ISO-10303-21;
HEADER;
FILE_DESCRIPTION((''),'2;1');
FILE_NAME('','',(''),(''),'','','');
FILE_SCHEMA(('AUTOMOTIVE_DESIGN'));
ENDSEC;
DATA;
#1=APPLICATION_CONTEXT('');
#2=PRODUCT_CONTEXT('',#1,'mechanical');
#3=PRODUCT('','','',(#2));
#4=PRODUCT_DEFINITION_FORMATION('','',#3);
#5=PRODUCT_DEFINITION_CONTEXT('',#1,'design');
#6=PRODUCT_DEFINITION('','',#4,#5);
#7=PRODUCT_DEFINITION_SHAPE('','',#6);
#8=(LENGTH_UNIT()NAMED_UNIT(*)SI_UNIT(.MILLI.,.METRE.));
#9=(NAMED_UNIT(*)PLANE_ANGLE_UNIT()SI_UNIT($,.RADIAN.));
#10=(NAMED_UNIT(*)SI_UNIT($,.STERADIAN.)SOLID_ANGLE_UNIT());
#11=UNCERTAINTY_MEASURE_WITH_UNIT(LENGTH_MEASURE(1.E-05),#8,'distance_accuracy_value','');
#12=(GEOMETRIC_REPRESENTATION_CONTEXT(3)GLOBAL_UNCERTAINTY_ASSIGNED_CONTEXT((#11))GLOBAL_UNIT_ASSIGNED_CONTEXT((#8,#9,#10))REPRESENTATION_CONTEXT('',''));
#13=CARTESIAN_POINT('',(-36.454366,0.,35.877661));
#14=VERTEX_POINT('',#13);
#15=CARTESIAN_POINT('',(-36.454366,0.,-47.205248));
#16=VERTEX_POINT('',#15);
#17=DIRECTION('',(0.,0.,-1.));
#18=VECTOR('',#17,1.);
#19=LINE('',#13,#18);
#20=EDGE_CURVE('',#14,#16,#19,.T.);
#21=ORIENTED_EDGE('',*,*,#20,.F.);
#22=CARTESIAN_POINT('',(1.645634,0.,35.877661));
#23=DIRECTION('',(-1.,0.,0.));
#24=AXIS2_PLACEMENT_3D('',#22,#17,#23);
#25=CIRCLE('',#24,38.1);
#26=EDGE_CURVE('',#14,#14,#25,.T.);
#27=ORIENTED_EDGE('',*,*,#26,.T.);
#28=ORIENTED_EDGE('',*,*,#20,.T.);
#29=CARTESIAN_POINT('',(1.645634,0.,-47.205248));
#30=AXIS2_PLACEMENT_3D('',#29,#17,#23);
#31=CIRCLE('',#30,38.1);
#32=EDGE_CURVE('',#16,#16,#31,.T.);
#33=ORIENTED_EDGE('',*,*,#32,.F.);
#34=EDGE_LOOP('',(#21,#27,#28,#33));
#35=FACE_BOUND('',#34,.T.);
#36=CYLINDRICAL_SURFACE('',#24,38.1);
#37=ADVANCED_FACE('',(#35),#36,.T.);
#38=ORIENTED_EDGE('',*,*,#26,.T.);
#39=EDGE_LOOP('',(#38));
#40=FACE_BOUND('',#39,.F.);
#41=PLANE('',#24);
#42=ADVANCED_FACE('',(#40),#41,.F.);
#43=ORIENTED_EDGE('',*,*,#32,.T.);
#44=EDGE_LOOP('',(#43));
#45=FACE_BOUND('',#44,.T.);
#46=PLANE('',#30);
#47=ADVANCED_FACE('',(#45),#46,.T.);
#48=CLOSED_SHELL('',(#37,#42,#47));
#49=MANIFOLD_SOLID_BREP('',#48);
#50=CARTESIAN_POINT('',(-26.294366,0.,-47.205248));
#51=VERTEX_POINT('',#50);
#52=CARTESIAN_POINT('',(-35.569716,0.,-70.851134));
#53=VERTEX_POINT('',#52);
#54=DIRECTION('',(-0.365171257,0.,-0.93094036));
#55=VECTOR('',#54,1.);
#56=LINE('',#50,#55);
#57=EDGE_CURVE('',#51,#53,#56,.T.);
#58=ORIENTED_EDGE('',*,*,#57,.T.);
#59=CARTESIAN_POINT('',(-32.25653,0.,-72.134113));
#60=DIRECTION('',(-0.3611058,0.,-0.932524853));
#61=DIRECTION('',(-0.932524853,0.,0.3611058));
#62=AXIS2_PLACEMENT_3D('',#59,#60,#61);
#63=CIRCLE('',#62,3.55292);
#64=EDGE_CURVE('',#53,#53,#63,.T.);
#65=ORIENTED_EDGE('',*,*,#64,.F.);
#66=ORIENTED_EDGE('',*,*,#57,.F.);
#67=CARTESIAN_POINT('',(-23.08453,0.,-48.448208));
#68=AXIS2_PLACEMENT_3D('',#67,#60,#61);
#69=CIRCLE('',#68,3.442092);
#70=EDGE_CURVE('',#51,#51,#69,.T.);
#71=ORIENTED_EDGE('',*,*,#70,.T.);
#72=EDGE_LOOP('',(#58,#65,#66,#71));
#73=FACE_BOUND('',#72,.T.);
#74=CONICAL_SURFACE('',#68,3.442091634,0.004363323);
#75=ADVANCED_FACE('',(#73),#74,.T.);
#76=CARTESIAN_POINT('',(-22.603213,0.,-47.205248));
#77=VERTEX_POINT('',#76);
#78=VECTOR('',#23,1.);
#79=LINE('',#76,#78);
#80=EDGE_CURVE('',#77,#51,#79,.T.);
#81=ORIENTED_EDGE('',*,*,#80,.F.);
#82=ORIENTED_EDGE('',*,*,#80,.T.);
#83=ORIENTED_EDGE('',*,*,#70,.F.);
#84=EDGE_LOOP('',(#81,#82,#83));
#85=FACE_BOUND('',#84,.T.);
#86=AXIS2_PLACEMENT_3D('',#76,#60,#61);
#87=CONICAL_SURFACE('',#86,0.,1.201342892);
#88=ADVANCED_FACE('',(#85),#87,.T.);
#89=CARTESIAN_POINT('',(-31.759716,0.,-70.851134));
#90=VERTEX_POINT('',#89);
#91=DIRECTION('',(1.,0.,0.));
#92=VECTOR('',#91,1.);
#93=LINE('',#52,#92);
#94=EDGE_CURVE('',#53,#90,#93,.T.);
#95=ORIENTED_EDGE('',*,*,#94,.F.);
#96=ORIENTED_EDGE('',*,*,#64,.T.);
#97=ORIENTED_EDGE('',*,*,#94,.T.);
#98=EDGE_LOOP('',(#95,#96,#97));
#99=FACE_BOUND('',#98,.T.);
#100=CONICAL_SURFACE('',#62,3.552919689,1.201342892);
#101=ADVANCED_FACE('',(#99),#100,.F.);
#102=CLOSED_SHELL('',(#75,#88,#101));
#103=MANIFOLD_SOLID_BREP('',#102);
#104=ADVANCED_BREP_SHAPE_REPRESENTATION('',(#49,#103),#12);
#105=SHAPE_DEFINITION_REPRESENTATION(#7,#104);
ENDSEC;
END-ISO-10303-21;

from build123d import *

# Parameters (mm, degrees)
F0_W = 38.1
F0_H = 56.9629144936


with BuildPart() as f1:
    # F0 (on Front) → F1 (revolve)
    with BuildSketch(Plane.XZ):
        Polygon((-22.603213466, -47.2052483916), (-26.2943661715, -47.2052483916), (-35.5697160982, -70.8511335249), (-31.7597160982, -70.8511335249), align=None)
    revolve(axis=Axis((-27.1814647821, 0, -59.0281909583), (-0.3611058001, 0, -0.9325248528)))

    # F0 (on Front) → F2 (revolve)
    with BuildSketch(Plane.XZ):
        with Locations((-17.4043661715, 7.3962034723)):
            Rectangle(F0_W, F0_H)
        Polygon((1.6456338285, -21.0852537746), (-36.4543661715, -21.0852537746), (-36.4543661715, -47.2052483916), (-26.2943661715, -47.2052483916), (-22.603213466, -47.2052483916), (-18.6743661715, -47.2052483916), (1.6456338285, -47.2052483916), align=None)
    revolve(axis=Axis((1.6456338285, 0, -5.6637938363), (0, 0, -1)))


solid = f1.part
